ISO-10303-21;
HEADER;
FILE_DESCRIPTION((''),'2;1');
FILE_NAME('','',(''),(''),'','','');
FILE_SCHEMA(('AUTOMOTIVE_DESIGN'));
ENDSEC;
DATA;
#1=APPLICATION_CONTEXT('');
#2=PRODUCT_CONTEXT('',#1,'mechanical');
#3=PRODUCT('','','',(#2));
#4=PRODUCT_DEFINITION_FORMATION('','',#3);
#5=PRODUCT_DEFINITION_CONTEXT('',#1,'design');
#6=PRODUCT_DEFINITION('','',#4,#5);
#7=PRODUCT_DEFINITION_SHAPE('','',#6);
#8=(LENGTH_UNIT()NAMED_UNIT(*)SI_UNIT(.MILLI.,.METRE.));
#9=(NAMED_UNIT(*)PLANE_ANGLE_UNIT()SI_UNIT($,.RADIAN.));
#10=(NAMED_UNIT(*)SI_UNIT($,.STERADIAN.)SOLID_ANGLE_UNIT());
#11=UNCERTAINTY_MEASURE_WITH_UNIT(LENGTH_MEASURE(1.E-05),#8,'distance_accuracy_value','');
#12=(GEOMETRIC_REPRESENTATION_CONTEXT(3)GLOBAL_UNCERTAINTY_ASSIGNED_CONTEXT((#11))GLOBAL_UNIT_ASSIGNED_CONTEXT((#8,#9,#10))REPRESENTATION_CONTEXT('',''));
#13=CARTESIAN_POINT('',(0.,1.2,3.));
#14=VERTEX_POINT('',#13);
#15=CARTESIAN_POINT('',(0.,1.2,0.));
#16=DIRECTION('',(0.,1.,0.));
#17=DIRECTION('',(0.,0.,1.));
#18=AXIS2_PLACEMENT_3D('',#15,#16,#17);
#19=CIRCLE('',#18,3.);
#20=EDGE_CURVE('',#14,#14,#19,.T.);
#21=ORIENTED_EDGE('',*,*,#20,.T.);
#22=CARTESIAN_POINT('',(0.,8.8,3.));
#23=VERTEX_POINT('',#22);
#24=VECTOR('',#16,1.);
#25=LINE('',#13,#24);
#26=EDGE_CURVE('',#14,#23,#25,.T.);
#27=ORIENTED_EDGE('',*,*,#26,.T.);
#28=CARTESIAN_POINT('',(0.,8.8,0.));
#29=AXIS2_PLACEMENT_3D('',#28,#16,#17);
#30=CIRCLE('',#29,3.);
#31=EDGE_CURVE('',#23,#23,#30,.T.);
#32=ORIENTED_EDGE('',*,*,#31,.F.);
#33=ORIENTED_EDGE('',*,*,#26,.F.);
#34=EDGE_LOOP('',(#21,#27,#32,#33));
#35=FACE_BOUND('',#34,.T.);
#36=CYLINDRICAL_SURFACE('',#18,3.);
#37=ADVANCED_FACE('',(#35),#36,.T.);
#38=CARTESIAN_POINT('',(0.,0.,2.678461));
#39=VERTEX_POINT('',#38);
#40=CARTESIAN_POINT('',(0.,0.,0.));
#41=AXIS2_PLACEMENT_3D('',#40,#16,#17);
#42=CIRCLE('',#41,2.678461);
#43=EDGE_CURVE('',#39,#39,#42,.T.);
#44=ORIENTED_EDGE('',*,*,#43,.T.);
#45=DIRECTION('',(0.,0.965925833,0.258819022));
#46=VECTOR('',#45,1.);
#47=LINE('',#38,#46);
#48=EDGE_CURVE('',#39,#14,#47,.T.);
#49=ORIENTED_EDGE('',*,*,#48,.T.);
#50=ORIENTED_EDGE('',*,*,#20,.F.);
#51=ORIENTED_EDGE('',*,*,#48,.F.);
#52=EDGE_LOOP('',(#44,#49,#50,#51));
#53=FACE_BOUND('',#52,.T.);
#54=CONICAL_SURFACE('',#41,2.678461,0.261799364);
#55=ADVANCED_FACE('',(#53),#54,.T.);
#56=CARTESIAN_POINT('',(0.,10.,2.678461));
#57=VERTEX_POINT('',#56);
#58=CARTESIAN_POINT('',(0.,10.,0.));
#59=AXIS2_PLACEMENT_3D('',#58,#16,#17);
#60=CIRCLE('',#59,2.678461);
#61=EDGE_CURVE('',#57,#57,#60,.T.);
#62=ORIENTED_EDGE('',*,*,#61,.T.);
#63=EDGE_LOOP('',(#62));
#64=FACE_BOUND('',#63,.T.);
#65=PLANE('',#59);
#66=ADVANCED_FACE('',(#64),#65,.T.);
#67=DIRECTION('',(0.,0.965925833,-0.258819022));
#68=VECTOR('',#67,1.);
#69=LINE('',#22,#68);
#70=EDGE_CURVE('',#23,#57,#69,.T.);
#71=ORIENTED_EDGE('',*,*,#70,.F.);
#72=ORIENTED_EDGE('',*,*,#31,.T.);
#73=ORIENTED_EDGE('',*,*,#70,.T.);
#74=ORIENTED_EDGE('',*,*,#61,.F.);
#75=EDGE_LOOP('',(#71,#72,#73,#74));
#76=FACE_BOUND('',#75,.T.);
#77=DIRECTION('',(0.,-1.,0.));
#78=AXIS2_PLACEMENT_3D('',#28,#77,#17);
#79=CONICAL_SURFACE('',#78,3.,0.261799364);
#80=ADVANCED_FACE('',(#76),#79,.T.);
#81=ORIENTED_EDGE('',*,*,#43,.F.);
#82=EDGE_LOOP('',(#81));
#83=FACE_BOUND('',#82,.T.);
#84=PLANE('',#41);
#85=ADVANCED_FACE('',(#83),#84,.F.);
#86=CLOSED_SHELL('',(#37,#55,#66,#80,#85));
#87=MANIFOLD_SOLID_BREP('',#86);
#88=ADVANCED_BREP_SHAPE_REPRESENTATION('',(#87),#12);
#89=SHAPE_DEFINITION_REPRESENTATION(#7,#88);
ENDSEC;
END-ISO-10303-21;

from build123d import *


with BuildPart() as part:
    # Sketch → Revolution (revolve)
    with BuildSketch(Plane.YZ):
        Polygon((0, 0), (0, 2.678461), (1.2, 3), (8.8, 3), (10, 2.678461), (10, 0), align=None)
    revolve(axis=Axis((0, 0, 0), (0, 1, 0)))


solid = part.part
